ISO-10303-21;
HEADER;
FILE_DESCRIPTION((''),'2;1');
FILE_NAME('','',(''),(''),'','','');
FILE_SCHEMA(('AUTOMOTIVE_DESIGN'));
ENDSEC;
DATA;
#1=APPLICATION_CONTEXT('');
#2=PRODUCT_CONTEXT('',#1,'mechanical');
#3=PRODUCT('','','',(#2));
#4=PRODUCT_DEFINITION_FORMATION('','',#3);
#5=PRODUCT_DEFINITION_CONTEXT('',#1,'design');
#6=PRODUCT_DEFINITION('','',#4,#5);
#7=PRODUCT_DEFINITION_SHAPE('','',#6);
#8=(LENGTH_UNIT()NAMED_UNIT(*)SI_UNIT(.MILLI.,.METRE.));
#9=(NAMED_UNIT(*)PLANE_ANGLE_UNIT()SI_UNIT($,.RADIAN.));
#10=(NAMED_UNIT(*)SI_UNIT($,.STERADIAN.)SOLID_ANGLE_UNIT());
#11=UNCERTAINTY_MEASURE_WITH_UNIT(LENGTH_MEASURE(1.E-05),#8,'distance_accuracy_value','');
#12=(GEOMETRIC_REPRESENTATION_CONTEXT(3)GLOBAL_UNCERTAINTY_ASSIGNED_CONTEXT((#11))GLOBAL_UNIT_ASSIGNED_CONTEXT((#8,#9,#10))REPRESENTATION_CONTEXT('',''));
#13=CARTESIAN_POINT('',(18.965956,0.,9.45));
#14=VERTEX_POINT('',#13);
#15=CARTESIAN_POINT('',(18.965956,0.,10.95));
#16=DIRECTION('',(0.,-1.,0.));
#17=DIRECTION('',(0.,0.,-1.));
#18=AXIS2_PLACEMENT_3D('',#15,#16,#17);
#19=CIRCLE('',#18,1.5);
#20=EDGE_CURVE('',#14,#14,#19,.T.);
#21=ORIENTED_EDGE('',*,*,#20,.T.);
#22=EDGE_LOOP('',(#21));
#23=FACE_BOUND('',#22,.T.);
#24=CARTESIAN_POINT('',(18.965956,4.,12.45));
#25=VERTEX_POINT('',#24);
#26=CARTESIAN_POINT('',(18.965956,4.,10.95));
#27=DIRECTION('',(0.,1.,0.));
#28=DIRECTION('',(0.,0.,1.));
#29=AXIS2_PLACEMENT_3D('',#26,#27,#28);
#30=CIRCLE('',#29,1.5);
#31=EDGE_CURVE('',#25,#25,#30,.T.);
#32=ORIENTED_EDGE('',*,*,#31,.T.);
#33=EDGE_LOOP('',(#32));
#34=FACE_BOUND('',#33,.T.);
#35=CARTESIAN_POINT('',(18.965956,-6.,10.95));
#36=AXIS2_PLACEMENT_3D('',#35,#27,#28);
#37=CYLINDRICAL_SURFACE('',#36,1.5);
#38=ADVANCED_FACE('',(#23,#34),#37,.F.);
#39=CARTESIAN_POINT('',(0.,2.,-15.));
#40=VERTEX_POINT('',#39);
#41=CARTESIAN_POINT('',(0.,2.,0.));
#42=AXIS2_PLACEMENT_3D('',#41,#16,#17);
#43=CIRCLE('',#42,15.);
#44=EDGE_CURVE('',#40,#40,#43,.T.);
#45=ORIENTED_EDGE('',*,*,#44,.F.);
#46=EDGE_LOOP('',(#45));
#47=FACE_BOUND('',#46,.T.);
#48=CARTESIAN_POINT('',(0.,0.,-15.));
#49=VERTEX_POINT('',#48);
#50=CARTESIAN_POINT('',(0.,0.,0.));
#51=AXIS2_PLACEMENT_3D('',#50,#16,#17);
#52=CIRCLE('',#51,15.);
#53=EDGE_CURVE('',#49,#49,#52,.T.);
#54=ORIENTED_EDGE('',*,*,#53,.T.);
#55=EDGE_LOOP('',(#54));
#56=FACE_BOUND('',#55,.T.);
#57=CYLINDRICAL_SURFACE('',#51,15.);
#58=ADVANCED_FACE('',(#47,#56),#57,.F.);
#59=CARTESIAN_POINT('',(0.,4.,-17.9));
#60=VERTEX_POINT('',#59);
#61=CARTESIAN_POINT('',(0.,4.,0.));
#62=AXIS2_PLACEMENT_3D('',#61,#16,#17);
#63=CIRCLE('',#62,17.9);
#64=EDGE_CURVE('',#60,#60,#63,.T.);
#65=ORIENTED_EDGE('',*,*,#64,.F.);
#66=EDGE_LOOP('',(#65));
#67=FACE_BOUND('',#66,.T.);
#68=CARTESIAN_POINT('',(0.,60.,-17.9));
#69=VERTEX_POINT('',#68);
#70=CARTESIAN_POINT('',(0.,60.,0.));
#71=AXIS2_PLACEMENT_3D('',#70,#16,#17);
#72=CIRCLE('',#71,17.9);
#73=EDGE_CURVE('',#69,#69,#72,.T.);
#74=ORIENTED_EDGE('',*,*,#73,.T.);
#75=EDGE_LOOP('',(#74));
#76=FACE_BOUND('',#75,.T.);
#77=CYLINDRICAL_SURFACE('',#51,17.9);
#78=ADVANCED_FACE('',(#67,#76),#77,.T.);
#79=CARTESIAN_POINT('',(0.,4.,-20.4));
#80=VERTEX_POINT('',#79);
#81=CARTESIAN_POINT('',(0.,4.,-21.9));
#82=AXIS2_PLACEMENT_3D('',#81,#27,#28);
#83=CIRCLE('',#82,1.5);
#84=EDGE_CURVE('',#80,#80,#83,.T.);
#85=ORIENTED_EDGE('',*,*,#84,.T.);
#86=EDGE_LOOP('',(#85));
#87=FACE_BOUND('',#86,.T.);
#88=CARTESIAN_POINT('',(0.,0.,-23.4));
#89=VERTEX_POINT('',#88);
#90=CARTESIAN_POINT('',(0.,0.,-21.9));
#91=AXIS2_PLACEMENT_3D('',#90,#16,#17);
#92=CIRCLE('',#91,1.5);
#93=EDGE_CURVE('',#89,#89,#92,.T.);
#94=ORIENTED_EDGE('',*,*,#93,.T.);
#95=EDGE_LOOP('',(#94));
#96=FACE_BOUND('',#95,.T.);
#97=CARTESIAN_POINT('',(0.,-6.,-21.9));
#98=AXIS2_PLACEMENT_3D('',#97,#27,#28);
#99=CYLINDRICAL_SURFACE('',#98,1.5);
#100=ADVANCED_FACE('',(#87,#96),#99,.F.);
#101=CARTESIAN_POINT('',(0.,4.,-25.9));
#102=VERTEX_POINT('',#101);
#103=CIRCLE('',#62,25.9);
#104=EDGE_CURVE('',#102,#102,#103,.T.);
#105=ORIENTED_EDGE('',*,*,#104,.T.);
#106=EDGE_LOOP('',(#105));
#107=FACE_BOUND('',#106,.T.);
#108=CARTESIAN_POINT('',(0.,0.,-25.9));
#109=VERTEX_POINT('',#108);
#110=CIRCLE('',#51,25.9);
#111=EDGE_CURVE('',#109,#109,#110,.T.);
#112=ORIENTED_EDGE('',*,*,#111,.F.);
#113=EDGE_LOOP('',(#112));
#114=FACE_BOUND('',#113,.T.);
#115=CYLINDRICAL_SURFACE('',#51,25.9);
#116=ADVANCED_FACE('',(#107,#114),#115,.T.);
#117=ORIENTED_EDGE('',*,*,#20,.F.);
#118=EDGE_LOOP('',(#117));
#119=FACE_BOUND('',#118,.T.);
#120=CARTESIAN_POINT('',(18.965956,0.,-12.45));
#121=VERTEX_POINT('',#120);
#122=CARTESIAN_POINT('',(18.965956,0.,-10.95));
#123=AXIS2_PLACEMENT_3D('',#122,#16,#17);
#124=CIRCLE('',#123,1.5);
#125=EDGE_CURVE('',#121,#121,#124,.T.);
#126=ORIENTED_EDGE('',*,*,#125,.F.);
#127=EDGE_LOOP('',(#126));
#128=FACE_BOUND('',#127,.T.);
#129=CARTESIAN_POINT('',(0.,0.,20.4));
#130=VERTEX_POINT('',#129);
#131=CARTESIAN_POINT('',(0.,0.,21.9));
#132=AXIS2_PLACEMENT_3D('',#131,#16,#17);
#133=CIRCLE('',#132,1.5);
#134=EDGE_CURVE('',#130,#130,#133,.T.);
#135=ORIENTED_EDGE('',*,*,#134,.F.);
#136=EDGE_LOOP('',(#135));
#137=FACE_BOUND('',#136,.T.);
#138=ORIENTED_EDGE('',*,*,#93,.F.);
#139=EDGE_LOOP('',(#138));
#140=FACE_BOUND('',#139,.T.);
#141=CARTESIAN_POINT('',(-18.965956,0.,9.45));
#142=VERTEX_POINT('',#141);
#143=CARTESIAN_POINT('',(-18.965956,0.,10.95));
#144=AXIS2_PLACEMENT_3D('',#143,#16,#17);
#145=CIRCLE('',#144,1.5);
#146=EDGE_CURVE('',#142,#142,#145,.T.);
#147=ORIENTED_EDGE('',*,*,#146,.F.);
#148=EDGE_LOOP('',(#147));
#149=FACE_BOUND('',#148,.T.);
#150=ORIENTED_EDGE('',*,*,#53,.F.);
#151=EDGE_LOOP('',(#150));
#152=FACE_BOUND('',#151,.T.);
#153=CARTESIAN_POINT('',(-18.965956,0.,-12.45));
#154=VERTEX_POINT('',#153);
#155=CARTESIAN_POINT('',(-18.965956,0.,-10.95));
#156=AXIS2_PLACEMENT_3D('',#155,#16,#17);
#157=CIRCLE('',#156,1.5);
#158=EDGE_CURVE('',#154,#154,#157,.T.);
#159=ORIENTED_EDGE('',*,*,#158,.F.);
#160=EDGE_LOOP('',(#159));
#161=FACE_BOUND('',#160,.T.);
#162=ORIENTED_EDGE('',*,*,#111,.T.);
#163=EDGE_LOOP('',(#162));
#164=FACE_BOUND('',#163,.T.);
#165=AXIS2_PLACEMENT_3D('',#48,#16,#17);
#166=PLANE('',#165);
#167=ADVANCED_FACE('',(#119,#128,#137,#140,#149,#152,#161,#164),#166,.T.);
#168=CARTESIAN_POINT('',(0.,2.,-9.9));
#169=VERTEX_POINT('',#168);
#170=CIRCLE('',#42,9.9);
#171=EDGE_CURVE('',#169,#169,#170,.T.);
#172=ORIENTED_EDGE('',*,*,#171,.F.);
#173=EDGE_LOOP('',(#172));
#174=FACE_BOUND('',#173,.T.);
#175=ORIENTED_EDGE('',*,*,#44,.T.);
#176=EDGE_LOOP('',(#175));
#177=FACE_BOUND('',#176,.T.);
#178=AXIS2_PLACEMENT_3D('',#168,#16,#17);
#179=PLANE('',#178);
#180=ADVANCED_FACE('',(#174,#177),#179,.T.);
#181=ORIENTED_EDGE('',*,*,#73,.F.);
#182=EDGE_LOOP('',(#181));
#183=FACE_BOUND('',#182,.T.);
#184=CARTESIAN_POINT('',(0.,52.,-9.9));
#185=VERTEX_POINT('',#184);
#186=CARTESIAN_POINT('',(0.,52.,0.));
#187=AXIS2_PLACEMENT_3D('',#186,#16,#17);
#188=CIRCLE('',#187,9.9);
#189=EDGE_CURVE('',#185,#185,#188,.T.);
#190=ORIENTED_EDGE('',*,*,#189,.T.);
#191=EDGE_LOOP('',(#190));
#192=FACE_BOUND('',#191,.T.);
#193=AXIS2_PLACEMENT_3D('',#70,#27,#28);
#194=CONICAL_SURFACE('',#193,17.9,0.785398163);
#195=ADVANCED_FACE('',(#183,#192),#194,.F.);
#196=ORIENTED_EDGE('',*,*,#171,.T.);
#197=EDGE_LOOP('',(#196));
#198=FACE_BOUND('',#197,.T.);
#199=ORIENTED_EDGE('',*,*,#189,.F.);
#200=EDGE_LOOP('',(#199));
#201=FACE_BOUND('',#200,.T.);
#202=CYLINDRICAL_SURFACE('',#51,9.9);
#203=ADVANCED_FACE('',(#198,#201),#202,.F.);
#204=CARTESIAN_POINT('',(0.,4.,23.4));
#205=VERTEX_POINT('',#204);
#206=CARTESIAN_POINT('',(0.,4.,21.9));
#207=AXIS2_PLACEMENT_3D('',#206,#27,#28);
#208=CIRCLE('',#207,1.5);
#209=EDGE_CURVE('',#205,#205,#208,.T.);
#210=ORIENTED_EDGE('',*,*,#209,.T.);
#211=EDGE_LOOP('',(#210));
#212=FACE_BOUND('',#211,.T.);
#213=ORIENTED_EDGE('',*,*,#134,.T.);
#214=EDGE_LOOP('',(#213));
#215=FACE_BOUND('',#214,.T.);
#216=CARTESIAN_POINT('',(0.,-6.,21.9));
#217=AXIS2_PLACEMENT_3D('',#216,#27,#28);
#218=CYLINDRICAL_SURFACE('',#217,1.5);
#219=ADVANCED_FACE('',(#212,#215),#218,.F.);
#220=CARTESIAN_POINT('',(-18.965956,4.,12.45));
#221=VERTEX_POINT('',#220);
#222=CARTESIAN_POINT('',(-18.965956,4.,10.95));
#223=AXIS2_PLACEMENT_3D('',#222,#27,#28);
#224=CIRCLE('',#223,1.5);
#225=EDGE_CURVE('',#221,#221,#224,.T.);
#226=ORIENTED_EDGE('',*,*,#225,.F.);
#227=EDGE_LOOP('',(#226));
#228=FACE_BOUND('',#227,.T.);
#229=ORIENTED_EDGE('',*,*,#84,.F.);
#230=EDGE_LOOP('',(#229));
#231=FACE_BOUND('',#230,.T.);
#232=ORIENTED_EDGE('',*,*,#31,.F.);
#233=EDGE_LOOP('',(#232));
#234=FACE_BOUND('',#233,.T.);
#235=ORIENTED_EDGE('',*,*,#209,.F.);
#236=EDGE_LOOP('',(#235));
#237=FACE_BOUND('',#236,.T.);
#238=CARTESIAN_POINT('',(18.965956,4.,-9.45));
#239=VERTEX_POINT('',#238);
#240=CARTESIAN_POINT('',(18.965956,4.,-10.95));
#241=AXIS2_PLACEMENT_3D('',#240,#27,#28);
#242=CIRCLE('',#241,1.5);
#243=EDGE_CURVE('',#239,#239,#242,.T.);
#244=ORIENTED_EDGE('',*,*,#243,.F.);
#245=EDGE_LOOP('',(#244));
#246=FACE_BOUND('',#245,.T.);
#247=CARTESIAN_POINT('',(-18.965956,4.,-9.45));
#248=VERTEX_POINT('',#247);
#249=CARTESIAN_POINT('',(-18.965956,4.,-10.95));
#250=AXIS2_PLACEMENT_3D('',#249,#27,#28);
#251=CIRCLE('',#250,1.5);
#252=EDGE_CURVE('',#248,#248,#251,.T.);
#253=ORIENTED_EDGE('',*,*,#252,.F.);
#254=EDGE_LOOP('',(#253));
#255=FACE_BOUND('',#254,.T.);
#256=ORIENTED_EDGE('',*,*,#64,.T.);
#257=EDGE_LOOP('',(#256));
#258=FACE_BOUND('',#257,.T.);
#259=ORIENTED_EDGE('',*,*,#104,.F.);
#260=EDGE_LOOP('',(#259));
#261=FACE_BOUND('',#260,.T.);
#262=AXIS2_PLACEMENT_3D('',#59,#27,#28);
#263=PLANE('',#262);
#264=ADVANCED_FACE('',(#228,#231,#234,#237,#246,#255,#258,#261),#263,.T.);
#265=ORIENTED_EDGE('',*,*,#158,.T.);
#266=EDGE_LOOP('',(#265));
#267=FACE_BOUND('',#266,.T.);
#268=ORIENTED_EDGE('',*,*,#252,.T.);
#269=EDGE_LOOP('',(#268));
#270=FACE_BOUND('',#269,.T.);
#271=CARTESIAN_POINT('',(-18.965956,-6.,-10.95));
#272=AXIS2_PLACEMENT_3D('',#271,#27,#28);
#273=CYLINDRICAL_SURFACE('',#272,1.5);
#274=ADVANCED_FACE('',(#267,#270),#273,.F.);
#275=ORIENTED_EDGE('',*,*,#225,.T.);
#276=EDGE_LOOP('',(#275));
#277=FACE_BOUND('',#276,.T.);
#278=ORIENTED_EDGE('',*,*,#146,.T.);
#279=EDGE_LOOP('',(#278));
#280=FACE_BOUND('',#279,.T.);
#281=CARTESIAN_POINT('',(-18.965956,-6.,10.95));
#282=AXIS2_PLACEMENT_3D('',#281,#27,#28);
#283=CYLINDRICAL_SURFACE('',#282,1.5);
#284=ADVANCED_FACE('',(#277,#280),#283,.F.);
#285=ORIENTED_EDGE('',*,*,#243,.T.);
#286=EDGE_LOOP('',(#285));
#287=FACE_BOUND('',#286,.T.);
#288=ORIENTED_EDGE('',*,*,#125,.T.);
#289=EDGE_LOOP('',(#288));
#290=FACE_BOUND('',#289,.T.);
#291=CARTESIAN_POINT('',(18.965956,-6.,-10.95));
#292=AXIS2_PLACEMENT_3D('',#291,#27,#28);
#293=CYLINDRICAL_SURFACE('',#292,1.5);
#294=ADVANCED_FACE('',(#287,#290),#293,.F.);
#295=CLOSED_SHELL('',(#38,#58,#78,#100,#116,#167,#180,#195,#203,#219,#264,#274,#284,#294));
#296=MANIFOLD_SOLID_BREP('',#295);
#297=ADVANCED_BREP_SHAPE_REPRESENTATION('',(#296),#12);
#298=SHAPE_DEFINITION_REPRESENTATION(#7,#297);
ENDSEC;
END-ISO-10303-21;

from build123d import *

# Parameters (mm, degrees)
SKETCH_2_R          = 1.5
CUT_EXTRUDE_1_DEPTH = 10


with BuildPart() as part:
    # Эскиз1 → Повернуть1 (revolve)
    with BuildSketch(Plane(origin=(0, 0, 0), x_dir=(0, 0, -1), z_dir=(1, 0, 0))):
        Polygon((9.9, 52), (9.9, 2), (15, 2), (15, 0), (25.9, 0), (25.9, 4), (17.9, 4), (17.9, 60), align=None)
    revolve(axis=Axis((0, 0, 0), (0, 1, 0)))

    # Эскиз2 → Вырез-Вытянуть1 (cut)
    with BuildSketch(Plane(origin=(0, 4, 0), x_dir=(1, 0, 0), z_dir=(0, 1, 0))):
        with Locations(Location((0, 21.9, 0), (0, 0, 270))):
            Circle(SKETCH_2_R)
        with Locations(Location((18.965956343, 10.95, 0), (0, 0, 270))):
            Circle(SKETCH_2_R)
        with Locations(Location((18.965956343, -10.95, 0), (0, 0, 270))):
            Circle(SKETCH_2_R)
        with Locations(Location((0, -21.9, 0), (0, 0, 270))):
            Circle(SKETCH_2_R)
        with Locations(Location((-18.965956343, -10.95, 0), (0, 0, 270))):
            Circle(SKETCH_2_R)
        with Locations(Location((-18.965956343, 10.95, 0), (0, 0, 270))):
            Circle(SKETCH_2_R)
    extrude(amount=-CUT_EXTRUDE_1_DEPTH, mode=Mode.SUBTRACT)


solid = part.part
